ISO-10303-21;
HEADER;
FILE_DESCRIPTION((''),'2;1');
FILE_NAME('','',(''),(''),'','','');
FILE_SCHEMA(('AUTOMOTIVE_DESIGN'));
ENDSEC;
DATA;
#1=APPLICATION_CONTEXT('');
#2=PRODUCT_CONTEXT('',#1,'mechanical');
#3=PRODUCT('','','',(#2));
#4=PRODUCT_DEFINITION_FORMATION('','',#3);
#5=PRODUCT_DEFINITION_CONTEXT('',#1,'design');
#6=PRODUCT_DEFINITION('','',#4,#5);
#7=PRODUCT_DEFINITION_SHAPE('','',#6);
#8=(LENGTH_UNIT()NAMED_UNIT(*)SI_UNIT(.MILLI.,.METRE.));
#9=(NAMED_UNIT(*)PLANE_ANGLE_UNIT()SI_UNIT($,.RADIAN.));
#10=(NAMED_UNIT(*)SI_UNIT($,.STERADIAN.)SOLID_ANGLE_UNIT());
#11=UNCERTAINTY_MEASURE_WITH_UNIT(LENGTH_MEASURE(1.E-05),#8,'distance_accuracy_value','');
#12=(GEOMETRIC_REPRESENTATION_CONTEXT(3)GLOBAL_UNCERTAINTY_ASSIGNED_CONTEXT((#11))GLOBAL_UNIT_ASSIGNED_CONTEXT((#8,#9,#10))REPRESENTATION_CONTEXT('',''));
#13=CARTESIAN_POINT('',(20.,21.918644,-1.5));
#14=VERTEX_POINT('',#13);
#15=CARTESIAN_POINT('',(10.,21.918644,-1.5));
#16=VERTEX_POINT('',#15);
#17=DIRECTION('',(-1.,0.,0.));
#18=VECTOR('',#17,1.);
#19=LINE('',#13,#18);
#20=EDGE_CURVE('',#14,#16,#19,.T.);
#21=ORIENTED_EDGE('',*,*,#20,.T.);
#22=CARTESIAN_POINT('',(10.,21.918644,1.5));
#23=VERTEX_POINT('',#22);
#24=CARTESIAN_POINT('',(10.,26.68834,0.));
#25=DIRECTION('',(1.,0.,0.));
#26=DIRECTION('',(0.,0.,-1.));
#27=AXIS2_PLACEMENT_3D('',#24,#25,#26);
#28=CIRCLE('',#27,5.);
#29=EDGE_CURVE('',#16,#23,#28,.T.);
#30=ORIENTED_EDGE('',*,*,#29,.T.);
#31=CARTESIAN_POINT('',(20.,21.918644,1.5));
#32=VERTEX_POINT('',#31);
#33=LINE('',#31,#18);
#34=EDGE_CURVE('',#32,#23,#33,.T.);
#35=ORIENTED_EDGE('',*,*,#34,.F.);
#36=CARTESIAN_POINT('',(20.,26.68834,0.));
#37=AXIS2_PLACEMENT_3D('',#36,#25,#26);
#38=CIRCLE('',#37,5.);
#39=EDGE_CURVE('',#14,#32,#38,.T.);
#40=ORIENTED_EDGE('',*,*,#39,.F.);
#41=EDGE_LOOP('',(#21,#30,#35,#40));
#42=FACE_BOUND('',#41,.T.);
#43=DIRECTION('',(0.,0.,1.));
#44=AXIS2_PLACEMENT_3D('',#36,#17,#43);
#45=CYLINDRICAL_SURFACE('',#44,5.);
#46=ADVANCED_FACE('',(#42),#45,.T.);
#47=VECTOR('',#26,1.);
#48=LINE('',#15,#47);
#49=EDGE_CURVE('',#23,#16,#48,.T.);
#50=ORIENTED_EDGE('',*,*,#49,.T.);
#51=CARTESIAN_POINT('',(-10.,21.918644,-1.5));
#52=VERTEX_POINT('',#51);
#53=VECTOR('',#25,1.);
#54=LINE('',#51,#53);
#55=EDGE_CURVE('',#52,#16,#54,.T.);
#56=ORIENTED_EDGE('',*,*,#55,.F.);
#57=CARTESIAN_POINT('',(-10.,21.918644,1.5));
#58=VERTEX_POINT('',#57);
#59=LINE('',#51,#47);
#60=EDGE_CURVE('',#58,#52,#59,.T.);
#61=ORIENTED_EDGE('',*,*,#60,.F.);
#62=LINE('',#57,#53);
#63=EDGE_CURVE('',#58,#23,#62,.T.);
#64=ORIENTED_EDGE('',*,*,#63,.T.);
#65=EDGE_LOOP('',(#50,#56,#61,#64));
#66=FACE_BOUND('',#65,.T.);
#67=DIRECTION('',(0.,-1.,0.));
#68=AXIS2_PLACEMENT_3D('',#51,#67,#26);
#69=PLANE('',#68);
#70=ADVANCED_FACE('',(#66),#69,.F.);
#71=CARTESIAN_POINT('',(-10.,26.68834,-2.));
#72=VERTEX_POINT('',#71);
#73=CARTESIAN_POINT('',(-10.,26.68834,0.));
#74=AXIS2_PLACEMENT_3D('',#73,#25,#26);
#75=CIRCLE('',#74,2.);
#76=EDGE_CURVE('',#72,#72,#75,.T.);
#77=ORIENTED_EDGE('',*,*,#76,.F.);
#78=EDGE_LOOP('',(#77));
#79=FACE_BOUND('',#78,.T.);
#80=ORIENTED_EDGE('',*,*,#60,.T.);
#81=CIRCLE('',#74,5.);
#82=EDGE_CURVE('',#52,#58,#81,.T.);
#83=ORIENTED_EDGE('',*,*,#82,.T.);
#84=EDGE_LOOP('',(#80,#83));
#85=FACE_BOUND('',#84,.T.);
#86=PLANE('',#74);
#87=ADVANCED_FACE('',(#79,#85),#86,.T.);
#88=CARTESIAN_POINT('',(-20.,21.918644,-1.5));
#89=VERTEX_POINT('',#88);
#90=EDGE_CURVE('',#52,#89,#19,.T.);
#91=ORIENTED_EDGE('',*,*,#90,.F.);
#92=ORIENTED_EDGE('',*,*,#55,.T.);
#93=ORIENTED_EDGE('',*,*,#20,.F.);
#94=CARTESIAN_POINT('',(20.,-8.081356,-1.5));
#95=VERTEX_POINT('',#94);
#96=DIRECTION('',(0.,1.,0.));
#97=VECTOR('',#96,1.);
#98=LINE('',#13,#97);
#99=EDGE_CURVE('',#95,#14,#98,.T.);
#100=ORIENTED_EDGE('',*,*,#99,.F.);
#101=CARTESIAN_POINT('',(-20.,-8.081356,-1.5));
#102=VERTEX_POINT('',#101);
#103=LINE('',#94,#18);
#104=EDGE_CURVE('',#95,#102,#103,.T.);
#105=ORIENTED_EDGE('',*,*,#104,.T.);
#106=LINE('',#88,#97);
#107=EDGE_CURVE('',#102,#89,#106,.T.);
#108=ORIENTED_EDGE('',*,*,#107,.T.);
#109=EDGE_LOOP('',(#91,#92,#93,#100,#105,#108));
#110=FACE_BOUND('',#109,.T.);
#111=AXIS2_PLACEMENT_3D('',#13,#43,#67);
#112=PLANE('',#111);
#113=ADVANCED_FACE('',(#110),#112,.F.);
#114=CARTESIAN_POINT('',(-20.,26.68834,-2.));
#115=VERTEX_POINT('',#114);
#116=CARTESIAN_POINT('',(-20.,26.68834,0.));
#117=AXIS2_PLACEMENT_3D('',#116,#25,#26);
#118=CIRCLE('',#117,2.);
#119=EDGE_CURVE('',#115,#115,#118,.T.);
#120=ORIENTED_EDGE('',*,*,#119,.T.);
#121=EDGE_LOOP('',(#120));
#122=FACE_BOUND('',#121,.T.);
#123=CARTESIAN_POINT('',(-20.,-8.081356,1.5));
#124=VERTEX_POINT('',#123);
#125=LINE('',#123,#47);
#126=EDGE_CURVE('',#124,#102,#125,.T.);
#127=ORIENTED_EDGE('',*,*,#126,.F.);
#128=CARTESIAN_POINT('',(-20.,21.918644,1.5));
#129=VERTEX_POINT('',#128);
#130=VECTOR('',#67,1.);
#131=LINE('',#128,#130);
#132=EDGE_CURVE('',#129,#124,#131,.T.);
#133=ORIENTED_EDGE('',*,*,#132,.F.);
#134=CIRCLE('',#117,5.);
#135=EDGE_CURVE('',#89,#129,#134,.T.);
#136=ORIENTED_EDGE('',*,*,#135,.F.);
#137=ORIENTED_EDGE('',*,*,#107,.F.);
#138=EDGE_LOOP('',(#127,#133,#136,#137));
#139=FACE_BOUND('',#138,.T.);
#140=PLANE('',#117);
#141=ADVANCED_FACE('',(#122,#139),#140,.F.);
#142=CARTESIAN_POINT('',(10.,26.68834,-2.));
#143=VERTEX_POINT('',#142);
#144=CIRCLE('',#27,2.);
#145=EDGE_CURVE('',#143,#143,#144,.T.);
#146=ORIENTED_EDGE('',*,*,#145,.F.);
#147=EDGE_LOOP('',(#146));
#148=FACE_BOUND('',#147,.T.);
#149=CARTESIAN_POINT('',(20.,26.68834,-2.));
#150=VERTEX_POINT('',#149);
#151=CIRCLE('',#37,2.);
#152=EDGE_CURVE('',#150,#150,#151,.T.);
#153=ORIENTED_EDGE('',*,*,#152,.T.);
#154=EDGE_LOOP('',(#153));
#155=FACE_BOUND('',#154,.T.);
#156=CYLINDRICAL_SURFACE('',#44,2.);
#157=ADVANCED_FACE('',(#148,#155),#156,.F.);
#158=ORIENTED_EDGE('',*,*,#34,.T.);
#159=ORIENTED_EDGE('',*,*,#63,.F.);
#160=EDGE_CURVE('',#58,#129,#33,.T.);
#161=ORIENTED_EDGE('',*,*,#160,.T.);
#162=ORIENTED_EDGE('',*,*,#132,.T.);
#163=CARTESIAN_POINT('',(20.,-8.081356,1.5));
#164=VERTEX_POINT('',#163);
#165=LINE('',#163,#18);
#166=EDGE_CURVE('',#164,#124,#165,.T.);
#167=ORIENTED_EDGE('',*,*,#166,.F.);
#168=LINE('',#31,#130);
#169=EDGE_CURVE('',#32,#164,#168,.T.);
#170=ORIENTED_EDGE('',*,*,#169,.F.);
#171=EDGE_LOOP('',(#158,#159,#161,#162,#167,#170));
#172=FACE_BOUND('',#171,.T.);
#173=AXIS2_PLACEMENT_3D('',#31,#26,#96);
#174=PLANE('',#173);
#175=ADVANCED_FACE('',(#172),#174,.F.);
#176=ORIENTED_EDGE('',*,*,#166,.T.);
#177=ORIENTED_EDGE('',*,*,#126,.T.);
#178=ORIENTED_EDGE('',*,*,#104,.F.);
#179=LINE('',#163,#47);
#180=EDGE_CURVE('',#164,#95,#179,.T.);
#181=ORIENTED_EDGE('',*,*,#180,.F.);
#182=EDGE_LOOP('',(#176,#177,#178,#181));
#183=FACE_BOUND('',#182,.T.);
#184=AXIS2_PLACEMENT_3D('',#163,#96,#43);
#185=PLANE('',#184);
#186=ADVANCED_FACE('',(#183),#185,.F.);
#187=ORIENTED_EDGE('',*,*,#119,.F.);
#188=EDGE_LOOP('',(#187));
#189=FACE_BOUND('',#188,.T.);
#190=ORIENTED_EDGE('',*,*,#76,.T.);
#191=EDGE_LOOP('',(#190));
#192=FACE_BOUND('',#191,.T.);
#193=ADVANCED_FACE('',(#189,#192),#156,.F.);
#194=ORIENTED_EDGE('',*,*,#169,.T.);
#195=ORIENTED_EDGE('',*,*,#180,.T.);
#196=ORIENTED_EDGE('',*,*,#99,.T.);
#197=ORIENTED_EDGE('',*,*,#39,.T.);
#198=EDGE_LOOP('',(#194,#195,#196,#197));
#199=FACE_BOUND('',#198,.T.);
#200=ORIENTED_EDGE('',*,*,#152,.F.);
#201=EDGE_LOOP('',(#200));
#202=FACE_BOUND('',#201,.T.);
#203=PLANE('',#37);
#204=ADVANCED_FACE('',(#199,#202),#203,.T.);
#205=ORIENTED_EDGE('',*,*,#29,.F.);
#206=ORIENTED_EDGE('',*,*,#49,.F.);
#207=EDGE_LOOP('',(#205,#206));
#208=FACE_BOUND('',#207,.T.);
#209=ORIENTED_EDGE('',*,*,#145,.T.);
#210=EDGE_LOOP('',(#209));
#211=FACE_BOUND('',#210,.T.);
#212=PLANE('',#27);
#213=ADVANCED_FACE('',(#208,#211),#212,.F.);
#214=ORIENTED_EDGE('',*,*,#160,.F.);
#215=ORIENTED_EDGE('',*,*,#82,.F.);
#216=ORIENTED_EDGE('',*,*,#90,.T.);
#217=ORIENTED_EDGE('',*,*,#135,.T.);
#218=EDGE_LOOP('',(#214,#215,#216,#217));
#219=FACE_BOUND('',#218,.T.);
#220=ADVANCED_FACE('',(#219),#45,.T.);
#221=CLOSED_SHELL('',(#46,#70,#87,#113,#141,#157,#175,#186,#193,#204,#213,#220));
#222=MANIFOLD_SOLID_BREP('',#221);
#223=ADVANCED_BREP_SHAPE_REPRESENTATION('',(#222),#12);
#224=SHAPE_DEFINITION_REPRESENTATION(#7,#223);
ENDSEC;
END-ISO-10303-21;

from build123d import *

# Parameters (mm, degrees)
SKETCH2_R           = 2
BOSS_EXTRUDE1_DEPTH = 20
SKETCH3_R           = 2
CUT_EXTRUDE1_DEPTH  = 10


with BuildPart() as part:
    # Sketch2 → Boss-Extrude1 (new, symmetric)
    with BuildSketch(Plane(origin=(0, 0, 0), x_dir=(0, 0, -1), z_dir=(1, 0, 0))):
        with BuildLine():
            Line((-1.5, 21.918644487), (-1.5, -8.081355513))
            Line((-1.5, -8.081355513), (1.5, -8.081355513))
            Line((1.5, -8.081355513), (1.5, 21.918644487))
            ThreePointArc((1.5, 21.918644487), (0, 31.688340494), (-1.5, 21.918644487))
        make_face()
        with Locations((0, 26.688340494)):
            Circle(SKETCH2_R, mode=Mode.SUBTRACT)
    extrude(amount=BOSS_EXTRUDE1_DEPTH, both=True)

    # Sketch3 → Cut-Extrude1 (cut, symmetric)
    with BuildSketch(Plane(origin=(0, 0, 0), x_dir=(0, 0, -1), z_dir=(1, 0, 0))):
        with BuildLine():
            Line((1.5, 21.918644487), (-1.5, 21.918644487))
            ThreePointArc((-1.5, 21.918644487), (0, 31.688340494), (1.5, 21.918644487))
        make_face()
        with Locations((0, 26.688340494)):
            Circle(SKETCH3_R, mode=Mode.SUBTRACT)
    extrude(amount=CUT_EXTRUDE1_DEPTH, both=True, mode=Mode.SUBTRACT)


solid = part.part
